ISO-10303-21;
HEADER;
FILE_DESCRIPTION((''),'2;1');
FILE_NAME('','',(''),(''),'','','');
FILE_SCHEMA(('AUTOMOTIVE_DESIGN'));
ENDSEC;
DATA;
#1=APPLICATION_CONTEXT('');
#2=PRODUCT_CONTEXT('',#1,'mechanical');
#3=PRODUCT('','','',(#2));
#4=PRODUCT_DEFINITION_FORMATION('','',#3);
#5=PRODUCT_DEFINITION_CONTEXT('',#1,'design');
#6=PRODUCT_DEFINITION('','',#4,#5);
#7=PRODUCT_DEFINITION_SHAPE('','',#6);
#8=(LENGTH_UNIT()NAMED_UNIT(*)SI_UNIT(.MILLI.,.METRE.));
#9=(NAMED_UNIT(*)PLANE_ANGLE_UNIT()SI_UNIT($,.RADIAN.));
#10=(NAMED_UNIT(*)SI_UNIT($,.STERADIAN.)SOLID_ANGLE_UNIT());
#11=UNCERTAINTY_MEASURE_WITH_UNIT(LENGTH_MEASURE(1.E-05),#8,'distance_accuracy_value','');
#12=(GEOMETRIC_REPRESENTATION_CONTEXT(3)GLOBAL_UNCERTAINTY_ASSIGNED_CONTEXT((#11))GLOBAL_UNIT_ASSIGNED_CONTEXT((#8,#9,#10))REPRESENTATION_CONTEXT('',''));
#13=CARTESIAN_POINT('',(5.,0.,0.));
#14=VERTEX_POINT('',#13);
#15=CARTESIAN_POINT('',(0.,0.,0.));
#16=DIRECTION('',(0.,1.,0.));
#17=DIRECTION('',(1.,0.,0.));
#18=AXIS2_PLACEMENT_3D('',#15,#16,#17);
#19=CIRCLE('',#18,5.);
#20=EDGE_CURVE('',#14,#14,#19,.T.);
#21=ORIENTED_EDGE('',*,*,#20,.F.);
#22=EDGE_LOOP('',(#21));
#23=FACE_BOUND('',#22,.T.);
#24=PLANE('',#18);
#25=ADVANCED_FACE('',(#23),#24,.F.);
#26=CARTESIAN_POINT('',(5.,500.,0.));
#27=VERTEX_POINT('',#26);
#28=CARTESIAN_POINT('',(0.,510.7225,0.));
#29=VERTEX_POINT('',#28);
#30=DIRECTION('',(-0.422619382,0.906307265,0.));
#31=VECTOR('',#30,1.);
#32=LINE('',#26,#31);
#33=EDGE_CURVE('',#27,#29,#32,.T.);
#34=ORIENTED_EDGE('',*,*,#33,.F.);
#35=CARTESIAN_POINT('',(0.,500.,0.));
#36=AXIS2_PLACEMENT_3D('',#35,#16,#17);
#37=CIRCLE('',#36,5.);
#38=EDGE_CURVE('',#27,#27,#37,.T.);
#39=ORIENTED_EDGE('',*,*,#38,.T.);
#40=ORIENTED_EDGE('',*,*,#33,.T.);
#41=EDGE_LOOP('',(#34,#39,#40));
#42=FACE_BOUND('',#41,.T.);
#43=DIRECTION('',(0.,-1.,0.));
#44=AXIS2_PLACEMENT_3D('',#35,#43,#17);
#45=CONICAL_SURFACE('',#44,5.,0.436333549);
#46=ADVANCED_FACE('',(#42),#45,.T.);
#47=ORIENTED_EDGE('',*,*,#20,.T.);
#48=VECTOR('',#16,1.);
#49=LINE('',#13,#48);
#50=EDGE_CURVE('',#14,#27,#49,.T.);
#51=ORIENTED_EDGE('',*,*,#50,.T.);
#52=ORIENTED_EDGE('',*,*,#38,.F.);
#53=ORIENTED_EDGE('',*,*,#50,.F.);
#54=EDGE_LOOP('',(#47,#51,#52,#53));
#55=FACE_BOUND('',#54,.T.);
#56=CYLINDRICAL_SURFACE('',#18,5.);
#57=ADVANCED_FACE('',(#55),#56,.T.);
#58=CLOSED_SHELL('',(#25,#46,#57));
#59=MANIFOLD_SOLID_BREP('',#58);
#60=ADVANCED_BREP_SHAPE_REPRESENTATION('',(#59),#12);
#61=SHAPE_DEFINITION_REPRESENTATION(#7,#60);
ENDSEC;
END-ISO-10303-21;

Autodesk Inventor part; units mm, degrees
ref_plane "YZ Plane" through (0, 0, 0) normal (1, 0, 0) x (0, 1, 0)
ref_plane "XZ Plane" through (0, 0, 0) normal (0, 1, 0) x (-1, 0, 0)
ref_plane "XY Plane" through (0, 0, 0) normal (0, 0, 1) x (1, 0, 0)
sketch "Esboço2" plane through (0, 0, 0) normal (0, 0, 1) x (1, 0, 0)
  line L0 (0, 0) -> (5, 0)
  line L1 (5, 0) -> (5, 500)
  line L2 (5, 500) -> (0, 510.7225)
  line L3 (5, 500) -> (16.831, 500) construction
  line L4 (0, 0) -> (0, 17.6655)
  line L5 (0, 510.7225) -> (0, 0)
  dimension "d1" = 5
  dimension "d2" = 500
  dimension "d3" = 115
revolve "Revolução1" add sketch "Esboço2" angle 360 about axis through (0, 0, 0) along (0, 1, 0)
properties part number "haste_para_raio" material "Cobre"
